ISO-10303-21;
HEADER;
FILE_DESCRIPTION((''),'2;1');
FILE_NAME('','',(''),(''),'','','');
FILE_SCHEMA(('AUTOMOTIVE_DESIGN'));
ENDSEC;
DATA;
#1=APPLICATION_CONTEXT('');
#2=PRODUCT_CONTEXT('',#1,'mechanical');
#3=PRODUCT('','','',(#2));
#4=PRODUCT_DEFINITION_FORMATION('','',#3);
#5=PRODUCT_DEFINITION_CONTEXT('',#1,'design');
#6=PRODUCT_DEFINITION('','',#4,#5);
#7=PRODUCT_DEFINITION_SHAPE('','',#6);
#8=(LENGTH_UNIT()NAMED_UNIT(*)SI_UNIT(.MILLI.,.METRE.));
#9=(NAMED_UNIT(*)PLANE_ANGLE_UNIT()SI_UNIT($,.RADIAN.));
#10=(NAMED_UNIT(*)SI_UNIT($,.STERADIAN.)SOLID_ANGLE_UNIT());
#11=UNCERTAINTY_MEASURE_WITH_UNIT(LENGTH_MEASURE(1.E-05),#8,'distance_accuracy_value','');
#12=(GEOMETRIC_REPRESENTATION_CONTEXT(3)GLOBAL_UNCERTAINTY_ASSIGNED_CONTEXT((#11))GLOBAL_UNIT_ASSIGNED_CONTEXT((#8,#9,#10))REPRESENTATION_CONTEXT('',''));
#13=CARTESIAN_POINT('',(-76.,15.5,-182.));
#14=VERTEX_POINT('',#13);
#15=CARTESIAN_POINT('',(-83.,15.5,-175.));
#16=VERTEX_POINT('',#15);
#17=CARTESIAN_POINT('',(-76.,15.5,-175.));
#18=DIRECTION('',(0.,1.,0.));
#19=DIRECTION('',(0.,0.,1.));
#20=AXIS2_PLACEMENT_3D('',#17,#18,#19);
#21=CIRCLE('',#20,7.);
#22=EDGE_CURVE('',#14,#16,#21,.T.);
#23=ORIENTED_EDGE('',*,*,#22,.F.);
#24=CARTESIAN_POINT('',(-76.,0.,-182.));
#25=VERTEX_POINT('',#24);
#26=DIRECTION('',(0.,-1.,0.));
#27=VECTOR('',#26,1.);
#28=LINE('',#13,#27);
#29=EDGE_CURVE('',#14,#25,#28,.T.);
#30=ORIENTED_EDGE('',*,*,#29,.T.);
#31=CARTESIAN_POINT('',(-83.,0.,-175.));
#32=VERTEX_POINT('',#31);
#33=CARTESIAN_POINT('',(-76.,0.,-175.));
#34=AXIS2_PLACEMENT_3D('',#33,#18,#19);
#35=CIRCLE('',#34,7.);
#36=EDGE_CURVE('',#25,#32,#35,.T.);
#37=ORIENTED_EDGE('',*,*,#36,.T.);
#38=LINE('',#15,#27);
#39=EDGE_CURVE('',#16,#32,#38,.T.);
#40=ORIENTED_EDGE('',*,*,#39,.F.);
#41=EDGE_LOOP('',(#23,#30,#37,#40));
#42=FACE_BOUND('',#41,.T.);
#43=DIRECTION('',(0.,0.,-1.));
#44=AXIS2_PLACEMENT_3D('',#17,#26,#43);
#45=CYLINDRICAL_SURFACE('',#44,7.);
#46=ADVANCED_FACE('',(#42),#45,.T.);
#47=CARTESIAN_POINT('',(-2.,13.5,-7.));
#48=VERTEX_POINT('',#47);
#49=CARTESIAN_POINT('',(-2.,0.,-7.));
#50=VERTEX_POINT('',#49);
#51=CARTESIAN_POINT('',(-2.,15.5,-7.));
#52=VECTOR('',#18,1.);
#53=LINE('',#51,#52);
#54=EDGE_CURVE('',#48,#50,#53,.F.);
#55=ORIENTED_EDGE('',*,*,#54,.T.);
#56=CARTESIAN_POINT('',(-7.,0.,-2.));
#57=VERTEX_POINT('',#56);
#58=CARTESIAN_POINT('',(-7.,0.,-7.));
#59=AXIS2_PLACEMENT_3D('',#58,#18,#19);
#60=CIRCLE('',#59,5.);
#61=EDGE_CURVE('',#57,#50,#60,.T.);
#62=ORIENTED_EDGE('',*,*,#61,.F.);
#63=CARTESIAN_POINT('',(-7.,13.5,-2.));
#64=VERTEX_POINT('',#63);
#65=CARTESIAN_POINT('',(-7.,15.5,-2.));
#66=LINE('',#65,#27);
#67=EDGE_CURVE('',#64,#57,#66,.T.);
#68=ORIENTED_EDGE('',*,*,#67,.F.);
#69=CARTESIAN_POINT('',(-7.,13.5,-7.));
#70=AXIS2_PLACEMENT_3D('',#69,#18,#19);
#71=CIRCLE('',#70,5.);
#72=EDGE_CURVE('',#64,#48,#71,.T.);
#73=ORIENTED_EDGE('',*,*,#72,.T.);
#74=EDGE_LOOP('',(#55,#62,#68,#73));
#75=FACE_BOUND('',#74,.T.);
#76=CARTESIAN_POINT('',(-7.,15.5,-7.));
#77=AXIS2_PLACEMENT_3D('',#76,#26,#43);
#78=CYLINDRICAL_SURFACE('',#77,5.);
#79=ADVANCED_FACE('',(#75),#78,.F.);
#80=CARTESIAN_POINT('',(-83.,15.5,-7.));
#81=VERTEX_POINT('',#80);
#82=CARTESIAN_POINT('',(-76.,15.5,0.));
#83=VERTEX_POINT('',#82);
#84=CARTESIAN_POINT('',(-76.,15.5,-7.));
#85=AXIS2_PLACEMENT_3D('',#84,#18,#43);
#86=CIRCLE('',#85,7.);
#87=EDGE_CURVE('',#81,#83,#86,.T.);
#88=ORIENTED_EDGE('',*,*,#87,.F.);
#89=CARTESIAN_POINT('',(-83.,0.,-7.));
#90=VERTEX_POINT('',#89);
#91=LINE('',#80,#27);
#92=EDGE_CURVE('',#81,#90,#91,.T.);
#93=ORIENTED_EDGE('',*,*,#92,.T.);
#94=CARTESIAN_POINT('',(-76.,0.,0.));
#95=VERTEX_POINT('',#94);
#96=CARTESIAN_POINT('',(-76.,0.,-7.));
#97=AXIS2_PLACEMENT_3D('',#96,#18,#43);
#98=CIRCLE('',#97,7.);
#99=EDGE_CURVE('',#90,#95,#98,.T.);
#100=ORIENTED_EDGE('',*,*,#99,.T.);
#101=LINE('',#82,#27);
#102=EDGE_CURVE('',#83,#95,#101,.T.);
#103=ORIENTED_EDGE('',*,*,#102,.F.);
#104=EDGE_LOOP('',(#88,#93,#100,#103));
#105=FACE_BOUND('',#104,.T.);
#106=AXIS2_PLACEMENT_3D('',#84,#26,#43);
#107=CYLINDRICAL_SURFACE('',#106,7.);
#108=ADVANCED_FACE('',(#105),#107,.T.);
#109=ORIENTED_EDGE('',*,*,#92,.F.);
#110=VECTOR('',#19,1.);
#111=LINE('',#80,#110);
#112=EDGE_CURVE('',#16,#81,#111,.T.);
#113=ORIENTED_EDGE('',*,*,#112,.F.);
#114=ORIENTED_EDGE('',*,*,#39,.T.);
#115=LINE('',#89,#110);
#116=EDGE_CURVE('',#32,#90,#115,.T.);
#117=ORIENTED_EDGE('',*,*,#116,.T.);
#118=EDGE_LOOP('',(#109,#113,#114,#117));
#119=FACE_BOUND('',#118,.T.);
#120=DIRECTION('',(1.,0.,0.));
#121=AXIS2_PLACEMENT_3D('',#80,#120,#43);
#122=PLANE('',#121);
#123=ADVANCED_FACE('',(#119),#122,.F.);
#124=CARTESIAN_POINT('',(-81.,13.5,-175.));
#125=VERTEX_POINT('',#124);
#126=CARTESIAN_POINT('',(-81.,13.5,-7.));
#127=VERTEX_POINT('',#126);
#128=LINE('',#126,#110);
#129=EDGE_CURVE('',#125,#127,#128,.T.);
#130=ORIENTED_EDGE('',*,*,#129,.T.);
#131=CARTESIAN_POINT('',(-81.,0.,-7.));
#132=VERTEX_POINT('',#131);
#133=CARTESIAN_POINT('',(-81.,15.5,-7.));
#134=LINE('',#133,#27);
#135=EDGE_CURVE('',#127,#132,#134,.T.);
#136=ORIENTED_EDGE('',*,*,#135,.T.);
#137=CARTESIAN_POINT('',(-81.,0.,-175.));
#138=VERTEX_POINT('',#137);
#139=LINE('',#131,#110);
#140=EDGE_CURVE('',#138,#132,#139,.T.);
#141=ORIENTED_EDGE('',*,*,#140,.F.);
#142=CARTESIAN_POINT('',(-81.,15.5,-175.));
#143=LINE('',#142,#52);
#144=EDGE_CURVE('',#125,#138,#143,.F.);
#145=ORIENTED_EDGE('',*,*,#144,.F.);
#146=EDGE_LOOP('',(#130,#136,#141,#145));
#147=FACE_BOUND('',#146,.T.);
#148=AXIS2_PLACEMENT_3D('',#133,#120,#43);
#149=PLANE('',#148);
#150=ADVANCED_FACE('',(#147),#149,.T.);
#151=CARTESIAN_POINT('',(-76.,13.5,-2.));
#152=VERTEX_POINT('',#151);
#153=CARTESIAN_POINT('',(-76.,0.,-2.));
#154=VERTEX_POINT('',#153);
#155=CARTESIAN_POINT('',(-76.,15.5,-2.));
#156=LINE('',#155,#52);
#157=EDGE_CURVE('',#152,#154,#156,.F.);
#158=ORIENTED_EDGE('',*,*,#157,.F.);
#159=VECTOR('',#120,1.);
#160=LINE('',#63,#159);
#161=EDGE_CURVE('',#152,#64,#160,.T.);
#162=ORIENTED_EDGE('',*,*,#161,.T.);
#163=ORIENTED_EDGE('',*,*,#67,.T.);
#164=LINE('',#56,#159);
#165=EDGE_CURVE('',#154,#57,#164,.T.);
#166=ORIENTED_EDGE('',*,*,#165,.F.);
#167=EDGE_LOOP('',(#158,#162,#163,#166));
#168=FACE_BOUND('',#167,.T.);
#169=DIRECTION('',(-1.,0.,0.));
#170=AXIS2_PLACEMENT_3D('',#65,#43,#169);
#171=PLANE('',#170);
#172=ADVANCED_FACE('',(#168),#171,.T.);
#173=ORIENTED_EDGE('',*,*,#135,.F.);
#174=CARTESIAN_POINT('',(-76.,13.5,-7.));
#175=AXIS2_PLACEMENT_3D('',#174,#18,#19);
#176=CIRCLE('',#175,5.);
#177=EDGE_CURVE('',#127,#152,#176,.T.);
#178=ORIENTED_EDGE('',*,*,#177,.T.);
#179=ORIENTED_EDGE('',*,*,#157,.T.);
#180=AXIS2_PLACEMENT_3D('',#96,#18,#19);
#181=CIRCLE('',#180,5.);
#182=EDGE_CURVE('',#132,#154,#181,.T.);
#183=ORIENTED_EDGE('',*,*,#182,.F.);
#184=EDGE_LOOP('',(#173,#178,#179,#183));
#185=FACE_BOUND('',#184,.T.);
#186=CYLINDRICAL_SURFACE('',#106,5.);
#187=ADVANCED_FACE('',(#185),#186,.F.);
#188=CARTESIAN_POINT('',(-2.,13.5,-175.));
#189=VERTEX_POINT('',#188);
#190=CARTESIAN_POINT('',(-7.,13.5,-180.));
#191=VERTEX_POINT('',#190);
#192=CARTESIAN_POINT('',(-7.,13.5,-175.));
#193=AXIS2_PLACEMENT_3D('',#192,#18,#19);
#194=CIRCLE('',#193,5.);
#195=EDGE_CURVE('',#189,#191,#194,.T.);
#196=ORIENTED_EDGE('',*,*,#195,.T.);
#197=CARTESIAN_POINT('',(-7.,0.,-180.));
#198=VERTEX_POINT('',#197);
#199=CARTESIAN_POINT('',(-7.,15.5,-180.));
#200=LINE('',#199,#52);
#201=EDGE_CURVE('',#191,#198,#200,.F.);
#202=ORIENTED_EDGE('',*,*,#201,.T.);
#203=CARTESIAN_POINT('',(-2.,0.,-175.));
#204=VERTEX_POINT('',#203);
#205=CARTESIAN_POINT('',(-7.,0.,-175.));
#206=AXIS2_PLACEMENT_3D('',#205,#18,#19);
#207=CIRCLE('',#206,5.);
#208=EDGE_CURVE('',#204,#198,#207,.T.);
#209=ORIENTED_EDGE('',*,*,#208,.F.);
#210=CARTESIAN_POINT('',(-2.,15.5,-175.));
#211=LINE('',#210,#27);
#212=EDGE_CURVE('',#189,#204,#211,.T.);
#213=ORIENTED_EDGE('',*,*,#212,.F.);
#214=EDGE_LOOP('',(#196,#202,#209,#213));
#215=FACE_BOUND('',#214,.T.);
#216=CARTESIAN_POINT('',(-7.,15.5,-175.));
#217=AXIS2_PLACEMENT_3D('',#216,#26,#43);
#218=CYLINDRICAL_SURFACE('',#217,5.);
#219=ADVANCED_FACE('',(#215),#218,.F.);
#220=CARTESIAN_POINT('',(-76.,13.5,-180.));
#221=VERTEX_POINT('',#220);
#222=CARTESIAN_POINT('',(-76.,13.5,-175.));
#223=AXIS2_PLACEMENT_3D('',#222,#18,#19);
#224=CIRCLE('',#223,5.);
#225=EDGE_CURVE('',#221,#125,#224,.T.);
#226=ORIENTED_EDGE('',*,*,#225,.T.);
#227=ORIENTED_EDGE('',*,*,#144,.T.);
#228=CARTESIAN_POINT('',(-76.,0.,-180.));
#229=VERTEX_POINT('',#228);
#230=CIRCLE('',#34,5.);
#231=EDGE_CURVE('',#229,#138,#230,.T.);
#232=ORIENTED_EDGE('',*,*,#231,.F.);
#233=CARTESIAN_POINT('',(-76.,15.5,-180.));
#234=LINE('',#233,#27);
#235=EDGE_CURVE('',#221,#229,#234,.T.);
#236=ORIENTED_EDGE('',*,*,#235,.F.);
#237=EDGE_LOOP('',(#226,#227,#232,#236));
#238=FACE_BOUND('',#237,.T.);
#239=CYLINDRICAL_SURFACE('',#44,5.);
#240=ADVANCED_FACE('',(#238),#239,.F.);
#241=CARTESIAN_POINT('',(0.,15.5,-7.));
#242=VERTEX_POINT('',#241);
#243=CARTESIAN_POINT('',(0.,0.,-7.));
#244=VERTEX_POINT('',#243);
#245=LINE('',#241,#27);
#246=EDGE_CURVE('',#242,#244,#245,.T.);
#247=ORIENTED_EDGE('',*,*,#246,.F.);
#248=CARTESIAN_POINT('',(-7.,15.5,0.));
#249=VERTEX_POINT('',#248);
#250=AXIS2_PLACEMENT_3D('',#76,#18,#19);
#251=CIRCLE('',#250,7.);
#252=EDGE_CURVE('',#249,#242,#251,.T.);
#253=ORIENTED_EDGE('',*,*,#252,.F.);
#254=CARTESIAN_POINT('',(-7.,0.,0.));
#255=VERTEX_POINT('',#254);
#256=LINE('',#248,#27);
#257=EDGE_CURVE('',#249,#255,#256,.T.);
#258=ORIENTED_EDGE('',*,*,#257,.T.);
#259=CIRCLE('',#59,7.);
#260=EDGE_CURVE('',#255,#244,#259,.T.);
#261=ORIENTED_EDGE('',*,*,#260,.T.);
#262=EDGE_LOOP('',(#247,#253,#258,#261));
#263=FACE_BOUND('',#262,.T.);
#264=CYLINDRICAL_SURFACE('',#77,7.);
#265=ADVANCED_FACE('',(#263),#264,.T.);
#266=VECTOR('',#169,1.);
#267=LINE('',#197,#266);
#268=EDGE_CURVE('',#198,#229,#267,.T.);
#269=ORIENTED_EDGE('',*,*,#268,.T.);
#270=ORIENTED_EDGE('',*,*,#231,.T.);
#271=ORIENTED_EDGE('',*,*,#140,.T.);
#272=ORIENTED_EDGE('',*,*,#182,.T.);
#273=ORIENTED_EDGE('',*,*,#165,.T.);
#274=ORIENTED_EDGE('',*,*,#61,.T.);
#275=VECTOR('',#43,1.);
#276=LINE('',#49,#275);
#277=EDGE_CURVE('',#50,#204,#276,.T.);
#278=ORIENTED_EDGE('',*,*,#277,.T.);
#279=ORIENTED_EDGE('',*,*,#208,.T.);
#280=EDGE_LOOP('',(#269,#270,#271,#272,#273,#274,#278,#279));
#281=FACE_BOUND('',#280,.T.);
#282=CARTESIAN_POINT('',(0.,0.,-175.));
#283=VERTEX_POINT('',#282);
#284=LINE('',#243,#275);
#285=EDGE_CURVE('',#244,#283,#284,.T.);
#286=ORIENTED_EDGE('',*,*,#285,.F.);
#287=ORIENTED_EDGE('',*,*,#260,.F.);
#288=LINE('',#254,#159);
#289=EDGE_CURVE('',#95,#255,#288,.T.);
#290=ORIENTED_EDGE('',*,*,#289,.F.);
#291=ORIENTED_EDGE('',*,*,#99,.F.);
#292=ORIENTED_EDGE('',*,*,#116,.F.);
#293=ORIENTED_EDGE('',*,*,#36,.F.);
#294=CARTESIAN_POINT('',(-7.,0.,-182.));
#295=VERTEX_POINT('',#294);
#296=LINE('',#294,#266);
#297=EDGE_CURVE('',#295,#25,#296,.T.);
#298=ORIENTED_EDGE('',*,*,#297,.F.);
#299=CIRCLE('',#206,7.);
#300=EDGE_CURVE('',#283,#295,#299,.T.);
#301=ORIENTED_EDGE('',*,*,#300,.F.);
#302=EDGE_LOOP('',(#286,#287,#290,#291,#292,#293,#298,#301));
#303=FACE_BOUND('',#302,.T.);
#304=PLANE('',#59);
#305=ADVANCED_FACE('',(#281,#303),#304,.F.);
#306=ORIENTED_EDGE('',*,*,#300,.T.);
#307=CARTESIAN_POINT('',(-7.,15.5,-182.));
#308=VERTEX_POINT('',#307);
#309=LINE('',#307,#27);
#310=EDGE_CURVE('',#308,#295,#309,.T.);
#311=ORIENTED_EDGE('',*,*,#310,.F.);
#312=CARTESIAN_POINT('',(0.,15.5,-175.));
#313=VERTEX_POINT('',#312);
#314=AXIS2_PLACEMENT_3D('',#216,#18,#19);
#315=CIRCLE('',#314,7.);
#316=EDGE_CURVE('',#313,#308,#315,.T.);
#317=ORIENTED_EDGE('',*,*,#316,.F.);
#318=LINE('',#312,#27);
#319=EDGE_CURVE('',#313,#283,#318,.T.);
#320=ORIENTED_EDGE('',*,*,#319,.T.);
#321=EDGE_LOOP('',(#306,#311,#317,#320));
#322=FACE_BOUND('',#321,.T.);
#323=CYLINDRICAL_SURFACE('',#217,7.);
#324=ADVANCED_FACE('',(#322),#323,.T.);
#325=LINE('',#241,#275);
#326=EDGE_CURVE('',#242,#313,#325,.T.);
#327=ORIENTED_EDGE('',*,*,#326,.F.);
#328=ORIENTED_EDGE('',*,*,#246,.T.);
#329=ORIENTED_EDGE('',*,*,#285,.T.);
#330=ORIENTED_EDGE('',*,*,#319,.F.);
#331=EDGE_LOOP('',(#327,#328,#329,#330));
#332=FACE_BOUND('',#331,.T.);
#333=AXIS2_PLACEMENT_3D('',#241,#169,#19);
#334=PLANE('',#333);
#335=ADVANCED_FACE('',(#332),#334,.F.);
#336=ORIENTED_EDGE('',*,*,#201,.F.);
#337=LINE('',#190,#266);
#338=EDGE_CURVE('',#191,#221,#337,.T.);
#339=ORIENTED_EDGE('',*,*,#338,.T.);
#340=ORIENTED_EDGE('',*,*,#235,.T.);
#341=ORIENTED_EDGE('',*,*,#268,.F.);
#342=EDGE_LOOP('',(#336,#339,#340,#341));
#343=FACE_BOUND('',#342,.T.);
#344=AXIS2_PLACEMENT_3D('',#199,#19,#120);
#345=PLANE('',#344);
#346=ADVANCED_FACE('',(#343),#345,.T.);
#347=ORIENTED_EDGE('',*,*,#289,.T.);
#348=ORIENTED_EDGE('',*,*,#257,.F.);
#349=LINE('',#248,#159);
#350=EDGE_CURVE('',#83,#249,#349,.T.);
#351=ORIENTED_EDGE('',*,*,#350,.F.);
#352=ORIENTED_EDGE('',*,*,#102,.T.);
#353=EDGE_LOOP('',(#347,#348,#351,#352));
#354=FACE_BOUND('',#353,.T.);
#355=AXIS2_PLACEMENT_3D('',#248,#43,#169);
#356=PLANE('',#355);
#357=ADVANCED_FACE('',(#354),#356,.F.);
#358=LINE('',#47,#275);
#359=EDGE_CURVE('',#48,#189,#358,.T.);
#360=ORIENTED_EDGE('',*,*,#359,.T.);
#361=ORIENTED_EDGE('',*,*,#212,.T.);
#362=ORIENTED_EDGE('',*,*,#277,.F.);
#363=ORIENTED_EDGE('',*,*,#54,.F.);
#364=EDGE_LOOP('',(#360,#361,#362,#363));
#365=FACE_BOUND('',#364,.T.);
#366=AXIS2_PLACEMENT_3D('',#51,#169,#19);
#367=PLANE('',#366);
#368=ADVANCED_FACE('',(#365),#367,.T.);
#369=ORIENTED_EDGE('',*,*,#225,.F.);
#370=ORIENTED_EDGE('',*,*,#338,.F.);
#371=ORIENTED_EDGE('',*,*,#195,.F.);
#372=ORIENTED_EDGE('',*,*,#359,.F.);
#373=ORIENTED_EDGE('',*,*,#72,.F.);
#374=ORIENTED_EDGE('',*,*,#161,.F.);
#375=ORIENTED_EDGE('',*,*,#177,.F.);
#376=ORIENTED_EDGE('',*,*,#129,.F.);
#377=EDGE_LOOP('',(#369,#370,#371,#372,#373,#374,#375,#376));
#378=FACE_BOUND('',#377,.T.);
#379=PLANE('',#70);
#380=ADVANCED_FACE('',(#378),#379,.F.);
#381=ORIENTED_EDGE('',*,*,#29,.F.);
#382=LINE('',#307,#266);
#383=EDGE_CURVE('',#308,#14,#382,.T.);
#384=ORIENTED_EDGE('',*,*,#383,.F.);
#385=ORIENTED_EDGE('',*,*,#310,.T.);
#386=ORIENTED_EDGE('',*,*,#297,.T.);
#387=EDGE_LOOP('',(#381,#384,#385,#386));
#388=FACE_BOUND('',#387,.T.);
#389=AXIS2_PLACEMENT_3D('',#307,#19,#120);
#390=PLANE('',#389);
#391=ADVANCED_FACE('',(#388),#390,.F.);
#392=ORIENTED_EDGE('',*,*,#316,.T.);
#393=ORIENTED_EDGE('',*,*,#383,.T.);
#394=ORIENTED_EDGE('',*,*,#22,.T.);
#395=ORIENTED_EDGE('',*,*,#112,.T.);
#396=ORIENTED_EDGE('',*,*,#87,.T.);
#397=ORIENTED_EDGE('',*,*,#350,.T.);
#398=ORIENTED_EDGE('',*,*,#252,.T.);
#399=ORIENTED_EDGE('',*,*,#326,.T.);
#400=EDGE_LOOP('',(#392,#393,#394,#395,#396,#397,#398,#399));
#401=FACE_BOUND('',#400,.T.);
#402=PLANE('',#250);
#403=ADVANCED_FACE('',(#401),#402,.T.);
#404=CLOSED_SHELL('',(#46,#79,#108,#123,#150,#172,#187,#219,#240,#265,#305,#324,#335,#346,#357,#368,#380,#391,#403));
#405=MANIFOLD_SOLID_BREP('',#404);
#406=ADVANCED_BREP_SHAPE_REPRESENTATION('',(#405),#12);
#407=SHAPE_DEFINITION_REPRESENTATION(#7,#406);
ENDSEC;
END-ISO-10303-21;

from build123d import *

# Parameters (mm, degrees)
EXTRUDE_1_DEPTH = 15.5
SHELL_1_T       = -2


with BuildPart() as part:
    # Эскиз2 → Бобышка-Вытянуть1 (new body)
    with BuildSketch(Plane(origin=(0, 0, 0), x_dir=(1, 0, 0), z_dir=(0, 1, 0))):
        with BuildLine():
            Line((-7, 0), (-76, 0))
            ThreePointArc((-76, 0), (-80.949747468, 2.050252532), (-83, 7))
            Line((-83, 7), (-83, 175))
            ThreePointArc((-83, 175), (-80.949747468, 179.949747468), (-76, 182))
            Line((-76, 182), (-7, 182))
            ThreePointArc((-7, 182), (-2.050252532, 179.949747468), (0, 175))
            Line((0, 175), (0, 7))
            ThreePointArc((0, 7), (-2.050252532, 2.050252532), (-7, 0))
        make_face()
    extrude(amount=EXTRUDE_1_DEPTH)

    # Оболочка1
    shell_1_openings = [part.faces().sort_by_distance(p)[0] for p in [
        (-41.5, 0, -91),
    ]]
    offset(amount=SHELL_1_T, openings=shell_1_openings, kind=Kind.INTERSECTION)


solid = part.part
